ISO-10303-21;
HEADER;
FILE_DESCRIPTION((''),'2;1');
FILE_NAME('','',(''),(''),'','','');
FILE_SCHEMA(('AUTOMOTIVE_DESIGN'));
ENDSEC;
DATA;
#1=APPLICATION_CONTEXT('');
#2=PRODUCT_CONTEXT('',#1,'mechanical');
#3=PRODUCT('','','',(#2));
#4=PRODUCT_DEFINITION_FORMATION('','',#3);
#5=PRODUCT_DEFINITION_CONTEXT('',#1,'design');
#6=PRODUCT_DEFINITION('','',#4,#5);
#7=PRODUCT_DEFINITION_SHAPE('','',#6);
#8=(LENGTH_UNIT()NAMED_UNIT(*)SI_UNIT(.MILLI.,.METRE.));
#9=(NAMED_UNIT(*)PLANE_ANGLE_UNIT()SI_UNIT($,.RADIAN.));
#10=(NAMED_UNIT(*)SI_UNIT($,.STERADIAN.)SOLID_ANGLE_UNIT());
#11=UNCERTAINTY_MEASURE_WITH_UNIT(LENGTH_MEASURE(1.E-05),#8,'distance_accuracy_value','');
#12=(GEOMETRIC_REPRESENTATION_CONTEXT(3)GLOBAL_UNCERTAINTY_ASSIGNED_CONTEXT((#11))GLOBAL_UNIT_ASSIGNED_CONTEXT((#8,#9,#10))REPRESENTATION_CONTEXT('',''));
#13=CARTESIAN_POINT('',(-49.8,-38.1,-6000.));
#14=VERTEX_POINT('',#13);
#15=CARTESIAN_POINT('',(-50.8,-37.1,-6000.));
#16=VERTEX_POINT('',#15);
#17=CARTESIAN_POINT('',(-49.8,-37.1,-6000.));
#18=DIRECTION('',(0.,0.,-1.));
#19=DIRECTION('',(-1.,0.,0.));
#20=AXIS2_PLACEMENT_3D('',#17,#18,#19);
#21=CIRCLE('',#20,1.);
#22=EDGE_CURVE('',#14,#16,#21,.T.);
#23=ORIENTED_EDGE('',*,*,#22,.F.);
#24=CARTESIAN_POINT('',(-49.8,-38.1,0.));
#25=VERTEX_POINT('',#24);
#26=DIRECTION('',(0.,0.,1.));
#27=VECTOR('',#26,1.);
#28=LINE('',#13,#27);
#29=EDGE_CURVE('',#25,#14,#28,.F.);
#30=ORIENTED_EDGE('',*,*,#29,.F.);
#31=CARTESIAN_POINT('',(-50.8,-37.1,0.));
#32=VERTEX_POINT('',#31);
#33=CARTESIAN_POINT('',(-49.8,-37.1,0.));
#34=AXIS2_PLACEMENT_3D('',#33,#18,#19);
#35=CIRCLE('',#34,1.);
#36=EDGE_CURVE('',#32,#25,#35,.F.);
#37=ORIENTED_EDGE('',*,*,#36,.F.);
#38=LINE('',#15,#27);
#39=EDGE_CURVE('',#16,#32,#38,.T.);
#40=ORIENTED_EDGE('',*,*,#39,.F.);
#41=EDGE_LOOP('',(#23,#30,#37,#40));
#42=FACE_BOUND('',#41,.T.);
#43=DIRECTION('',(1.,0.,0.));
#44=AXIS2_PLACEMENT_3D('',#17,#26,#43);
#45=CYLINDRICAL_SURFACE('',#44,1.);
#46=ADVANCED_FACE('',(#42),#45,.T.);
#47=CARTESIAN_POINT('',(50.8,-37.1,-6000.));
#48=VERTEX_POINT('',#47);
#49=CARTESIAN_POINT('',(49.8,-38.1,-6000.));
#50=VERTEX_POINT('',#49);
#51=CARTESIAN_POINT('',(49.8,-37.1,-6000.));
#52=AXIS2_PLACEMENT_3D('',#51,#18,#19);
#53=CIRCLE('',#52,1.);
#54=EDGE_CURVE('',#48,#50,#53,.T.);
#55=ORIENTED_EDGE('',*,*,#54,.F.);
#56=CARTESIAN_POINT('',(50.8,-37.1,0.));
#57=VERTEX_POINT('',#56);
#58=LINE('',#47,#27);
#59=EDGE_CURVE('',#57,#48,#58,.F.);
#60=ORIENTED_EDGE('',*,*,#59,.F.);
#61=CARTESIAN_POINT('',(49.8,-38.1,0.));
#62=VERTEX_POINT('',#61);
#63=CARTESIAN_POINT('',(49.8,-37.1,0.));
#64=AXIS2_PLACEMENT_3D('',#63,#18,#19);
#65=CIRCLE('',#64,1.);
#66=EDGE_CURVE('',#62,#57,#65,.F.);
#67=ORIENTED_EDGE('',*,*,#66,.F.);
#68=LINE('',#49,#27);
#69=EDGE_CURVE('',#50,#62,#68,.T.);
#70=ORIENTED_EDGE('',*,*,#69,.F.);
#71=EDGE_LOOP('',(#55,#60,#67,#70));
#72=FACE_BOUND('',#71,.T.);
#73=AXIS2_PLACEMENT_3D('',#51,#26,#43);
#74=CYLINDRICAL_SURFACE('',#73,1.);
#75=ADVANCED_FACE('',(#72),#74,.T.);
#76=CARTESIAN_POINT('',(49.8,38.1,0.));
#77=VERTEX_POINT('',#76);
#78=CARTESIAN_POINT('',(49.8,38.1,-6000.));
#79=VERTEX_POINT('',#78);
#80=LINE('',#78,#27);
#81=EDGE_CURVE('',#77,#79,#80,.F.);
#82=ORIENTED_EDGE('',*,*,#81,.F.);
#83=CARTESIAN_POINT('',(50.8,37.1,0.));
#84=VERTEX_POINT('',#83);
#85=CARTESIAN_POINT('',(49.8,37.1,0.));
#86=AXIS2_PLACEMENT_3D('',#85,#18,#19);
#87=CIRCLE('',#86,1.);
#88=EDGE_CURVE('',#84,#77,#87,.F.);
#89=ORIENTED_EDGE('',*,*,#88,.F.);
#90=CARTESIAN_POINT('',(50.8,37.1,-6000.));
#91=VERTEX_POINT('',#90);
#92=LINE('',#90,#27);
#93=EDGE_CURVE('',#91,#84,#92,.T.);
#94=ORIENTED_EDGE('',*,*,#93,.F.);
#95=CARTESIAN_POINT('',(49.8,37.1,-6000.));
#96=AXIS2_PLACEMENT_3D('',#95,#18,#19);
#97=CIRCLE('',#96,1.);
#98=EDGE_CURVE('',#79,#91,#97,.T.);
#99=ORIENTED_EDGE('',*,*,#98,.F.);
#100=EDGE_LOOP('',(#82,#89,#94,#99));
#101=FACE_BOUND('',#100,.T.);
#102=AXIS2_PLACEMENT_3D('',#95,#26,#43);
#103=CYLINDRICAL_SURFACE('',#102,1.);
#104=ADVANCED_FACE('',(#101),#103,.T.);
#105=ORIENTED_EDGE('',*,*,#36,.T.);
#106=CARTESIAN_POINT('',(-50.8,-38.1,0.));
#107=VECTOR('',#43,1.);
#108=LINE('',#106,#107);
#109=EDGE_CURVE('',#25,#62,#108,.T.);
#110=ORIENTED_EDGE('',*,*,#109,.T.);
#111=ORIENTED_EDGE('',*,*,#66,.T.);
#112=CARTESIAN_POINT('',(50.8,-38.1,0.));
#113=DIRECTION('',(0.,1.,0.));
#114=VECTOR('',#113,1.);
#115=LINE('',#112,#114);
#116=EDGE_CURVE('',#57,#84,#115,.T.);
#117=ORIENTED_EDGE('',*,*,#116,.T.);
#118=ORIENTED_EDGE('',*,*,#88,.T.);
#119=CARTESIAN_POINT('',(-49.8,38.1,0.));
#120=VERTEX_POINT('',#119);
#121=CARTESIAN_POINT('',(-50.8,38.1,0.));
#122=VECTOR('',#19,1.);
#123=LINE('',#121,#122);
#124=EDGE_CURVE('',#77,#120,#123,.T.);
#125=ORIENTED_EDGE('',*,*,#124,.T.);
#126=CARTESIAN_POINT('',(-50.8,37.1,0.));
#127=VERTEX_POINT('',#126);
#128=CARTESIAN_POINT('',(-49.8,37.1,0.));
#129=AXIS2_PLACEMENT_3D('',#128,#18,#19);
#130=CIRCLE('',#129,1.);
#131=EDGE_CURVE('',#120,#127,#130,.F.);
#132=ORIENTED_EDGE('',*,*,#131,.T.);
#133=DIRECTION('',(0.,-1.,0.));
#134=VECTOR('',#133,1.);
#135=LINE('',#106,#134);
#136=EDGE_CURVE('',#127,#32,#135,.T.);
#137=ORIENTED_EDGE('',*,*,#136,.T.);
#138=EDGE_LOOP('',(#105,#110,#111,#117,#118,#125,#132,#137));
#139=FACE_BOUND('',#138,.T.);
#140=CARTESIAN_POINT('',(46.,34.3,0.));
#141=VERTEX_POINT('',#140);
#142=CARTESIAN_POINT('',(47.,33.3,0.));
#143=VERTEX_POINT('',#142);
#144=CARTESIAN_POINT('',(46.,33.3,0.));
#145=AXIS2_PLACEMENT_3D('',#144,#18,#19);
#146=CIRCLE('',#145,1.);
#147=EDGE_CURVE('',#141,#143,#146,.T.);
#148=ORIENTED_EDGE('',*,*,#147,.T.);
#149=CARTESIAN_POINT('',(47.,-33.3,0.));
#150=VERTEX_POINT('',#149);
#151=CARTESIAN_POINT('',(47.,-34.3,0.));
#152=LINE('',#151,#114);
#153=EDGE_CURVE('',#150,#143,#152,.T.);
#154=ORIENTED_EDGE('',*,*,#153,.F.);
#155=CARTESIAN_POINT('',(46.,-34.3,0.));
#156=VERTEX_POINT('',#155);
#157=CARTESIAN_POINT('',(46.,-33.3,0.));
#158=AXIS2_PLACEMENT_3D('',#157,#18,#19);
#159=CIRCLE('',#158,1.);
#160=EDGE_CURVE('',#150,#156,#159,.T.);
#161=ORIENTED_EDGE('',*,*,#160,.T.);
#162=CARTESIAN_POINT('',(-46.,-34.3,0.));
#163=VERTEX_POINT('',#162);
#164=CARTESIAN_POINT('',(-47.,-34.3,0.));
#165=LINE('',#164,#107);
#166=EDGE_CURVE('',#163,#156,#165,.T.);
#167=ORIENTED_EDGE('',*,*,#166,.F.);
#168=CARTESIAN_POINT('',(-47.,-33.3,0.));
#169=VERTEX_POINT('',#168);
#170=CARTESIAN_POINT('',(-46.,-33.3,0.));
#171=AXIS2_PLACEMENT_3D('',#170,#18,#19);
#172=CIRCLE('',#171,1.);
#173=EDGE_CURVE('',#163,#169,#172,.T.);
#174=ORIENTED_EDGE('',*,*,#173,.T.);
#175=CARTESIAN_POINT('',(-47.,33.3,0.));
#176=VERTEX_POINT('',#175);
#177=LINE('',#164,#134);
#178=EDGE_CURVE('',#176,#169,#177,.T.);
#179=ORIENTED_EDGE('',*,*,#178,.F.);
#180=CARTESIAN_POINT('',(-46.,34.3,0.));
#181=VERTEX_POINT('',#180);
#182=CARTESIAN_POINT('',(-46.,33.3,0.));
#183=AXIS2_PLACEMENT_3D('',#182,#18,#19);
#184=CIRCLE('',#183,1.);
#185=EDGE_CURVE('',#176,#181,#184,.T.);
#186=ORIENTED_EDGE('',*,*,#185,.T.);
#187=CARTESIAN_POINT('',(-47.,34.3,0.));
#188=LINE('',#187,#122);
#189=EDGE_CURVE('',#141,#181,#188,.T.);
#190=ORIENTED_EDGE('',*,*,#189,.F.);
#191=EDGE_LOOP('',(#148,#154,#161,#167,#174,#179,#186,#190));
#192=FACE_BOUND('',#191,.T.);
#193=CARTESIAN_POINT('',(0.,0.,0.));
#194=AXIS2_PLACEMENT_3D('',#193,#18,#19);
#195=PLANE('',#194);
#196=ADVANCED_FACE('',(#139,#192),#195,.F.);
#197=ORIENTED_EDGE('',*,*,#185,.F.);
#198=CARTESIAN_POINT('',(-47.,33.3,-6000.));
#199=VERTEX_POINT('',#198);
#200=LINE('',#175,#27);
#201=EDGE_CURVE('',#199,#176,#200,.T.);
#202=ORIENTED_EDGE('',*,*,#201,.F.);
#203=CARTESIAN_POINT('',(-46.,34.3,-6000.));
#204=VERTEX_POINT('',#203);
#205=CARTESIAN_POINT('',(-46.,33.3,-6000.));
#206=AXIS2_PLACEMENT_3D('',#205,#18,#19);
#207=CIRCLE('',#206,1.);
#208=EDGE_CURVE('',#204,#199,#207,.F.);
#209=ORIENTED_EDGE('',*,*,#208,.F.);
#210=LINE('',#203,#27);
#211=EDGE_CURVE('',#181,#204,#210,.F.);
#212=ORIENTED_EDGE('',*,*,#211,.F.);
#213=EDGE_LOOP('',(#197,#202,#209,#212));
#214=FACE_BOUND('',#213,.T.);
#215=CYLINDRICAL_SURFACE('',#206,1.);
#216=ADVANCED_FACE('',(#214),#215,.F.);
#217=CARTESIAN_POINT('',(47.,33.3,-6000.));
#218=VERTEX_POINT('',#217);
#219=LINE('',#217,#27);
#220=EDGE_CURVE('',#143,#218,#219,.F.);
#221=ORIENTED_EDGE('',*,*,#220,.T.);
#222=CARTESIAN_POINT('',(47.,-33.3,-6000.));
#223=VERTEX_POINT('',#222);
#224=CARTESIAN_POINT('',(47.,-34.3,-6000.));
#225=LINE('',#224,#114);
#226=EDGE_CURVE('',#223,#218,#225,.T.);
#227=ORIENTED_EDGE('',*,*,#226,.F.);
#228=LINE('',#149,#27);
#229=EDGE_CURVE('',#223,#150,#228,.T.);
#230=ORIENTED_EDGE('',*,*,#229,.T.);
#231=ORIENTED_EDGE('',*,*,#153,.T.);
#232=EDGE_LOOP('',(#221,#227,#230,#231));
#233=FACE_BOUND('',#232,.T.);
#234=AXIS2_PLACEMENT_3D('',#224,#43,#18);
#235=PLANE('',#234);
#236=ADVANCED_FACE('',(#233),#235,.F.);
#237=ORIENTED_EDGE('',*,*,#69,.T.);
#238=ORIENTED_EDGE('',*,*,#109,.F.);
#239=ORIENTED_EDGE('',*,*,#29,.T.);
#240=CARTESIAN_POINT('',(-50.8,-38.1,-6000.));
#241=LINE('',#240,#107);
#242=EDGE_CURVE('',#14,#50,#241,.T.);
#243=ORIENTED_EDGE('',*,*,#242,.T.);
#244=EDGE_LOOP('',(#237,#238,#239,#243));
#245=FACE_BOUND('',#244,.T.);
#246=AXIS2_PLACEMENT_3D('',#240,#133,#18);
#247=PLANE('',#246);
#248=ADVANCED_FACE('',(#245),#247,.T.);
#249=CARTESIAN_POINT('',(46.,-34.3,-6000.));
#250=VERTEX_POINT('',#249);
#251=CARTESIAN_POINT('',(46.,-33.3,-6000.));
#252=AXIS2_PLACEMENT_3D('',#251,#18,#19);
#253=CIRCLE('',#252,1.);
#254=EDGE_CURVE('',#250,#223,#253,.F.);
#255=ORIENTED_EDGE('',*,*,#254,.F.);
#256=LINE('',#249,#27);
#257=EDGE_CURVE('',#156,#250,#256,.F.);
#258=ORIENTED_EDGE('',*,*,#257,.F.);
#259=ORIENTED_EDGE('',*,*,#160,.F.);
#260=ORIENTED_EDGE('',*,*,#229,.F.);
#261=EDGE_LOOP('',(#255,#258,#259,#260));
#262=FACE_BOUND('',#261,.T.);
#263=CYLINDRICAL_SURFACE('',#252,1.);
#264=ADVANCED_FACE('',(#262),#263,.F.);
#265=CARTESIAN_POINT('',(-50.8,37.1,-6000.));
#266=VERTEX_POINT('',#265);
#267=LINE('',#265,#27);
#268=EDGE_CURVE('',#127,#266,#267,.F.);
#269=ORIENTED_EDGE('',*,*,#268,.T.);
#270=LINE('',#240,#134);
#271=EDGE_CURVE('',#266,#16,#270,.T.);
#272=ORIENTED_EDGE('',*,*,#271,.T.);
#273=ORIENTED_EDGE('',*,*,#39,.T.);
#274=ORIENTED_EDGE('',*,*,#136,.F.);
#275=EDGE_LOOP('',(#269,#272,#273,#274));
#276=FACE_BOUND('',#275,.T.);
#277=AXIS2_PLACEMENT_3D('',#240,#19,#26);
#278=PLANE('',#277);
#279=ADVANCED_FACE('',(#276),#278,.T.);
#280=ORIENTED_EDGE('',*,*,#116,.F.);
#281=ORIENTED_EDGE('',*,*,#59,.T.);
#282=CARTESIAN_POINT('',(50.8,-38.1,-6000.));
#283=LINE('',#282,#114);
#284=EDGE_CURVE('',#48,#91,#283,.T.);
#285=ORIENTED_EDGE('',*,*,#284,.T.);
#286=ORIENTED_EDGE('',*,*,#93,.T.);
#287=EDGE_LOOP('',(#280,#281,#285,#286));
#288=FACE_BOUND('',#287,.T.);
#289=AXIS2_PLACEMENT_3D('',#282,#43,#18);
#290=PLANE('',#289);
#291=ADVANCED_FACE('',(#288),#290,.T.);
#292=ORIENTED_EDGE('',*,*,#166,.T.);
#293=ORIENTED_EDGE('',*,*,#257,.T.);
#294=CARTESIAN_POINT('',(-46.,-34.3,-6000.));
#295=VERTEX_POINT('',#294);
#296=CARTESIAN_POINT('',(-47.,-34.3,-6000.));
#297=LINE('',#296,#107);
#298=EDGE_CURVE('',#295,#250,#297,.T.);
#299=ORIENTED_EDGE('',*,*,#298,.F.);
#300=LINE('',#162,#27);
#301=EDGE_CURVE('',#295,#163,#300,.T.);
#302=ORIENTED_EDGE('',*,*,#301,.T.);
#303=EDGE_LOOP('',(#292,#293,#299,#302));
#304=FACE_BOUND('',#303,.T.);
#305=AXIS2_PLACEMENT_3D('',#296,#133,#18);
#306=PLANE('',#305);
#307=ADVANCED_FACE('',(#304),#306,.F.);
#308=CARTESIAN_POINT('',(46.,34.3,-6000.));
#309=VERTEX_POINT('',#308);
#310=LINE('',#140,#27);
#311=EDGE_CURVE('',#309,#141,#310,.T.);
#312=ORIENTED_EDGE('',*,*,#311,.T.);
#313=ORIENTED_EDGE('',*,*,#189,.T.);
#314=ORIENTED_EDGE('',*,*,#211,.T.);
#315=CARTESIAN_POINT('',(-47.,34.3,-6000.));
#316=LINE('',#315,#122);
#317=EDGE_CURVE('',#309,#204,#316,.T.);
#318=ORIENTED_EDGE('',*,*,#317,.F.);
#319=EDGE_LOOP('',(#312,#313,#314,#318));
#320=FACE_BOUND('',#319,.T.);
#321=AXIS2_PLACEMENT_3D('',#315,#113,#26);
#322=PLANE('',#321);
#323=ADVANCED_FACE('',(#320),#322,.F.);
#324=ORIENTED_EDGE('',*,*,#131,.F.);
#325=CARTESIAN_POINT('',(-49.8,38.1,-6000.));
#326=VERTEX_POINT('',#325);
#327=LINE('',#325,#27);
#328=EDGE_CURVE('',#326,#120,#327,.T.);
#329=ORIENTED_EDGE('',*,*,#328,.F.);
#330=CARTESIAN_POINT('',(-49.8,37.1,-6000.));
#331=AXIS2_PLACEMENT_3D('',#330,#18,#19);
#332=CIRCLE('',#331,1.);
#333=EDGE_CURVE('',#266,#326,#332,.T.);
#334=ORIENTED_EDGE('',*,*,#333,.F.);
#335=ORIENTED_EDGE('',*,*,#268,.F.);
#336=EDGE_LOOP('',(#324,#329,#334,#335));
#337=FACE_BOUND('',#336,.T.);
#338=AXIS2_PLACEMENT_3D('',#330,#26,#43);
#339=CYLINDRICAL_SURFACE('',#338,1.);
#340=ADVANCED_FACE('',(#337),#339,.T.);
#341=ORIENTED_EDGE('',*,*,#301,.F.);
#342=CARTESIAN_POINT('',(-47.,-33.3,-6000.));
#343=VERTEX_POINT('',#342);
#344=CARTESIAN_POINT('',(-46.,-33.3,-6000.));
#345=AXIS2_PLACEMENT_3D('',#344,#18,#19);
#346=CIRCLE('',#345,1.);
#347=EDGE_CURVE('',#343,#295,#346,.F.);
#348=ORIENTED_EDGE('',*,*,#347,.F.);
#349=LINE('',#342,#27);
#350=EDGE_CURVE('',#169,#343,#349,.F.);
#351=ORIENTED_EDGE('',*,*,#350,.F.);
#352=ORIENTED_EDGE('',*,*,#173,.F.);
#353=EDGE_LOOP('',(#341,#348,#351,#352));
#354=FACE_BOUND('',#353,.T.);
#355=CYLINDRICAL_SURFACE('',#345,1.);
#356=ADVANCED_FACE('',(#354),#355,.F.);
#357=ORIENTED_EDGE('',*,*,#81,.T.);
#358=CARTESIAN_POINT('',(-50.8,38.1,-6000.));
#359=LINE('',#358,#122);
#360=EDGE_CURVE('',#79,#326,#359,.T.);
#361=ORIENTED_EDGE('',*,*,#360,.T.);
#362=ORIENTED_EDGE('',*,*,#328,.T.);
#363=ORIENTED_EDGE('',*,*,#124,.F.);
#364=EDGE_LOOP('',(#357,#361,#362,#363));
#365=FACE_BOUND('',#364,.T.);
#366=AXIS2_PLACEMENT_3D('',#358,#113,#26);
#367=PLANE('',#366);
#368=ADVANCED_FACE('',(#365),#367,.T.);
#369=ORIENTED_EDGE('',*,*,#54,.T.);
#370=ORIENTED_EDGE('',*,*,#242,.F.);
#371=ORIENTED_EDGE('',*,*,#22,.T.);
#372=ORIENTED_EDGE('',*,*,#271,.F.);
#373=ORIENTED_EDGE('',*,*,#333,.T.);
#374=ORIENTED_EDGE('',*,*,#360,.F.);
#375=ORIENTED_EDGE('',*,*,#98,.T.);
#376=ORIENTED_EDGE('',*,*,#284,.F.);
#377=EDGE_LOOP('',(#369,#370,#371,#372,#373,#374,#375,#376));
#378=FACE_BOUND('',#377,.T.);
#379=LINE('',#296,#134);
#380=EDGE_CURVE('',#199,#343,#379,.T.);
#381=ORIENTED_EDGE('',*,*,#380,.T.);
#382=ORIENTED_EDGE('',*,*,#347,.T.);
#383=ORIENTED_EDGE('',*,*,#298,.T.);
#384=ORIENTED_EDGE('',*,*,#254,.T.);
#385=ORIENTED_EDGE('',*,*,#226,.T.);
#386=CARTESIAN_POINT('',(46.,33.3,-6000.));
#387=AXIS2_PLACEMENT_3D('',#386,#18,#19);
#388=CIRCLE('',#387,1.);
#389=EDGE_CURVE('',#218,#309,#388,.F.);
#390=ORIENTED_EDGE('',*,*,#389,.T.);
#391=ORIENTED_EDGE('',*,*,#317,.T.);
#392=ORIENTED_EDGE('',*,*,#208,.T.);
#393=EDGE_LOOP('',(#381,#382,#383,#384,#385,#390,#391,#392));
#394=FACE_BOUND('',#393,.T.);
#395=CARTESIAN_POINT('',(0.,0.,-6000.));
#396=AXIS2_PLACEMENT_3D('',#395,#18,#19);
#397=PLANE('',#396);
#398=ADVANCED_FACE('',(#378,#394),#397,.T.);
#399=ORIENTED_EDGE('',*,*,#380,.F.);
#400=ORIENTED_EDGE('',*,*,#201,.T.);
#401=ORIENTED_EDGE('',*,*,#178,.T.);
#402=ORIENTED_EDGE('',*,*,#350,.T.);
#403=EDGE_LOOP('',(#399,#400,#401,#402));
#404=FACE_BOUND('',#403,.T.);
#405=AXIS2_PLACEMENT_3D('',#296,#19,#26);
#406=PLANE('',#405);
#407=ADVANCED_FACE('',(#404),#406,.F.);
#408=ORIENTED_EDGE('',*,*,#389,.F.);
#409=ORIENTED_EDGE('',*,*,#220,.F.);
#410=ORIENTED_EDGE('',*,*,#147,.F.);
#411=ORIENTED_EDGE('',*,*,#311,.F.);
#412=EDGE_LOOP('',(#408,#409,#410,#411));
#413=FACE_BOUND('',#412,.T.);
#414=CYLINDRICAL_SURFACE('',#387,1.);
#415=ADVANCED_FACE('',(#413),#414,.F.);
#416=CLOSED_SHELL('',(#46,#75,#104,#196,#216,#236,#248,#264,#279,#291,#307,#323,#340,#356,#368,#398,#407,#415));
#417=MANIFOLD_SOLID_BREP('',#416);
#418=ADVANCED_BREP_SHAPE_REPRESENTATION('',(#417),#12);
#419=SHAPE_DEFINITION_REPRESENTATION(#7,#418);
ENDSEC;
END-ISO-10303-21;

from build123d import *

# Parameters (mm, degrees)
CROQUIS1_W              = 101.6
CROQUIS1_H              = 76.2
CROQUIS1_W_2            = 94
CROQUIS1_H_2            = 68.6
SALIENTE_EXTRUIR1_DEPTH = 6000
REDONDEO1_R             = 1


with BuildPart() as part:
    # Croquis1 → Saliente-Extruir1 (new body)
    with BuildSketch(Plane.XY):
        Rectangle(CROQUIS1_W, CROQUIS1_H)
        Rectangle(CROQUIS1_W_2, CROQUIS1_H_2, mode=Mode.SUBTRACT)
    extrude(amount=-SALIENTE_EXTRUIR1_DEPTH)

    # Redondeo1
    redondeo1_edges = [part.edges().sort_by_distance(p)[0] for p in [
        (47, -34.3, -3000),
        (-47, -34.3, -3000),
        (-47, 34.3, -3000),
        (47, 34.3, -3000),
        (50.8, -38.1, -3000),
        (-50.8, -38.1, -3000),
        (-50.8, 38.1, -3000),
        (50.8, 38.1, -3000),
    ]]
    fillet(redondeo1_edges, radius=REDONDEO1_R)


solid = part.part
